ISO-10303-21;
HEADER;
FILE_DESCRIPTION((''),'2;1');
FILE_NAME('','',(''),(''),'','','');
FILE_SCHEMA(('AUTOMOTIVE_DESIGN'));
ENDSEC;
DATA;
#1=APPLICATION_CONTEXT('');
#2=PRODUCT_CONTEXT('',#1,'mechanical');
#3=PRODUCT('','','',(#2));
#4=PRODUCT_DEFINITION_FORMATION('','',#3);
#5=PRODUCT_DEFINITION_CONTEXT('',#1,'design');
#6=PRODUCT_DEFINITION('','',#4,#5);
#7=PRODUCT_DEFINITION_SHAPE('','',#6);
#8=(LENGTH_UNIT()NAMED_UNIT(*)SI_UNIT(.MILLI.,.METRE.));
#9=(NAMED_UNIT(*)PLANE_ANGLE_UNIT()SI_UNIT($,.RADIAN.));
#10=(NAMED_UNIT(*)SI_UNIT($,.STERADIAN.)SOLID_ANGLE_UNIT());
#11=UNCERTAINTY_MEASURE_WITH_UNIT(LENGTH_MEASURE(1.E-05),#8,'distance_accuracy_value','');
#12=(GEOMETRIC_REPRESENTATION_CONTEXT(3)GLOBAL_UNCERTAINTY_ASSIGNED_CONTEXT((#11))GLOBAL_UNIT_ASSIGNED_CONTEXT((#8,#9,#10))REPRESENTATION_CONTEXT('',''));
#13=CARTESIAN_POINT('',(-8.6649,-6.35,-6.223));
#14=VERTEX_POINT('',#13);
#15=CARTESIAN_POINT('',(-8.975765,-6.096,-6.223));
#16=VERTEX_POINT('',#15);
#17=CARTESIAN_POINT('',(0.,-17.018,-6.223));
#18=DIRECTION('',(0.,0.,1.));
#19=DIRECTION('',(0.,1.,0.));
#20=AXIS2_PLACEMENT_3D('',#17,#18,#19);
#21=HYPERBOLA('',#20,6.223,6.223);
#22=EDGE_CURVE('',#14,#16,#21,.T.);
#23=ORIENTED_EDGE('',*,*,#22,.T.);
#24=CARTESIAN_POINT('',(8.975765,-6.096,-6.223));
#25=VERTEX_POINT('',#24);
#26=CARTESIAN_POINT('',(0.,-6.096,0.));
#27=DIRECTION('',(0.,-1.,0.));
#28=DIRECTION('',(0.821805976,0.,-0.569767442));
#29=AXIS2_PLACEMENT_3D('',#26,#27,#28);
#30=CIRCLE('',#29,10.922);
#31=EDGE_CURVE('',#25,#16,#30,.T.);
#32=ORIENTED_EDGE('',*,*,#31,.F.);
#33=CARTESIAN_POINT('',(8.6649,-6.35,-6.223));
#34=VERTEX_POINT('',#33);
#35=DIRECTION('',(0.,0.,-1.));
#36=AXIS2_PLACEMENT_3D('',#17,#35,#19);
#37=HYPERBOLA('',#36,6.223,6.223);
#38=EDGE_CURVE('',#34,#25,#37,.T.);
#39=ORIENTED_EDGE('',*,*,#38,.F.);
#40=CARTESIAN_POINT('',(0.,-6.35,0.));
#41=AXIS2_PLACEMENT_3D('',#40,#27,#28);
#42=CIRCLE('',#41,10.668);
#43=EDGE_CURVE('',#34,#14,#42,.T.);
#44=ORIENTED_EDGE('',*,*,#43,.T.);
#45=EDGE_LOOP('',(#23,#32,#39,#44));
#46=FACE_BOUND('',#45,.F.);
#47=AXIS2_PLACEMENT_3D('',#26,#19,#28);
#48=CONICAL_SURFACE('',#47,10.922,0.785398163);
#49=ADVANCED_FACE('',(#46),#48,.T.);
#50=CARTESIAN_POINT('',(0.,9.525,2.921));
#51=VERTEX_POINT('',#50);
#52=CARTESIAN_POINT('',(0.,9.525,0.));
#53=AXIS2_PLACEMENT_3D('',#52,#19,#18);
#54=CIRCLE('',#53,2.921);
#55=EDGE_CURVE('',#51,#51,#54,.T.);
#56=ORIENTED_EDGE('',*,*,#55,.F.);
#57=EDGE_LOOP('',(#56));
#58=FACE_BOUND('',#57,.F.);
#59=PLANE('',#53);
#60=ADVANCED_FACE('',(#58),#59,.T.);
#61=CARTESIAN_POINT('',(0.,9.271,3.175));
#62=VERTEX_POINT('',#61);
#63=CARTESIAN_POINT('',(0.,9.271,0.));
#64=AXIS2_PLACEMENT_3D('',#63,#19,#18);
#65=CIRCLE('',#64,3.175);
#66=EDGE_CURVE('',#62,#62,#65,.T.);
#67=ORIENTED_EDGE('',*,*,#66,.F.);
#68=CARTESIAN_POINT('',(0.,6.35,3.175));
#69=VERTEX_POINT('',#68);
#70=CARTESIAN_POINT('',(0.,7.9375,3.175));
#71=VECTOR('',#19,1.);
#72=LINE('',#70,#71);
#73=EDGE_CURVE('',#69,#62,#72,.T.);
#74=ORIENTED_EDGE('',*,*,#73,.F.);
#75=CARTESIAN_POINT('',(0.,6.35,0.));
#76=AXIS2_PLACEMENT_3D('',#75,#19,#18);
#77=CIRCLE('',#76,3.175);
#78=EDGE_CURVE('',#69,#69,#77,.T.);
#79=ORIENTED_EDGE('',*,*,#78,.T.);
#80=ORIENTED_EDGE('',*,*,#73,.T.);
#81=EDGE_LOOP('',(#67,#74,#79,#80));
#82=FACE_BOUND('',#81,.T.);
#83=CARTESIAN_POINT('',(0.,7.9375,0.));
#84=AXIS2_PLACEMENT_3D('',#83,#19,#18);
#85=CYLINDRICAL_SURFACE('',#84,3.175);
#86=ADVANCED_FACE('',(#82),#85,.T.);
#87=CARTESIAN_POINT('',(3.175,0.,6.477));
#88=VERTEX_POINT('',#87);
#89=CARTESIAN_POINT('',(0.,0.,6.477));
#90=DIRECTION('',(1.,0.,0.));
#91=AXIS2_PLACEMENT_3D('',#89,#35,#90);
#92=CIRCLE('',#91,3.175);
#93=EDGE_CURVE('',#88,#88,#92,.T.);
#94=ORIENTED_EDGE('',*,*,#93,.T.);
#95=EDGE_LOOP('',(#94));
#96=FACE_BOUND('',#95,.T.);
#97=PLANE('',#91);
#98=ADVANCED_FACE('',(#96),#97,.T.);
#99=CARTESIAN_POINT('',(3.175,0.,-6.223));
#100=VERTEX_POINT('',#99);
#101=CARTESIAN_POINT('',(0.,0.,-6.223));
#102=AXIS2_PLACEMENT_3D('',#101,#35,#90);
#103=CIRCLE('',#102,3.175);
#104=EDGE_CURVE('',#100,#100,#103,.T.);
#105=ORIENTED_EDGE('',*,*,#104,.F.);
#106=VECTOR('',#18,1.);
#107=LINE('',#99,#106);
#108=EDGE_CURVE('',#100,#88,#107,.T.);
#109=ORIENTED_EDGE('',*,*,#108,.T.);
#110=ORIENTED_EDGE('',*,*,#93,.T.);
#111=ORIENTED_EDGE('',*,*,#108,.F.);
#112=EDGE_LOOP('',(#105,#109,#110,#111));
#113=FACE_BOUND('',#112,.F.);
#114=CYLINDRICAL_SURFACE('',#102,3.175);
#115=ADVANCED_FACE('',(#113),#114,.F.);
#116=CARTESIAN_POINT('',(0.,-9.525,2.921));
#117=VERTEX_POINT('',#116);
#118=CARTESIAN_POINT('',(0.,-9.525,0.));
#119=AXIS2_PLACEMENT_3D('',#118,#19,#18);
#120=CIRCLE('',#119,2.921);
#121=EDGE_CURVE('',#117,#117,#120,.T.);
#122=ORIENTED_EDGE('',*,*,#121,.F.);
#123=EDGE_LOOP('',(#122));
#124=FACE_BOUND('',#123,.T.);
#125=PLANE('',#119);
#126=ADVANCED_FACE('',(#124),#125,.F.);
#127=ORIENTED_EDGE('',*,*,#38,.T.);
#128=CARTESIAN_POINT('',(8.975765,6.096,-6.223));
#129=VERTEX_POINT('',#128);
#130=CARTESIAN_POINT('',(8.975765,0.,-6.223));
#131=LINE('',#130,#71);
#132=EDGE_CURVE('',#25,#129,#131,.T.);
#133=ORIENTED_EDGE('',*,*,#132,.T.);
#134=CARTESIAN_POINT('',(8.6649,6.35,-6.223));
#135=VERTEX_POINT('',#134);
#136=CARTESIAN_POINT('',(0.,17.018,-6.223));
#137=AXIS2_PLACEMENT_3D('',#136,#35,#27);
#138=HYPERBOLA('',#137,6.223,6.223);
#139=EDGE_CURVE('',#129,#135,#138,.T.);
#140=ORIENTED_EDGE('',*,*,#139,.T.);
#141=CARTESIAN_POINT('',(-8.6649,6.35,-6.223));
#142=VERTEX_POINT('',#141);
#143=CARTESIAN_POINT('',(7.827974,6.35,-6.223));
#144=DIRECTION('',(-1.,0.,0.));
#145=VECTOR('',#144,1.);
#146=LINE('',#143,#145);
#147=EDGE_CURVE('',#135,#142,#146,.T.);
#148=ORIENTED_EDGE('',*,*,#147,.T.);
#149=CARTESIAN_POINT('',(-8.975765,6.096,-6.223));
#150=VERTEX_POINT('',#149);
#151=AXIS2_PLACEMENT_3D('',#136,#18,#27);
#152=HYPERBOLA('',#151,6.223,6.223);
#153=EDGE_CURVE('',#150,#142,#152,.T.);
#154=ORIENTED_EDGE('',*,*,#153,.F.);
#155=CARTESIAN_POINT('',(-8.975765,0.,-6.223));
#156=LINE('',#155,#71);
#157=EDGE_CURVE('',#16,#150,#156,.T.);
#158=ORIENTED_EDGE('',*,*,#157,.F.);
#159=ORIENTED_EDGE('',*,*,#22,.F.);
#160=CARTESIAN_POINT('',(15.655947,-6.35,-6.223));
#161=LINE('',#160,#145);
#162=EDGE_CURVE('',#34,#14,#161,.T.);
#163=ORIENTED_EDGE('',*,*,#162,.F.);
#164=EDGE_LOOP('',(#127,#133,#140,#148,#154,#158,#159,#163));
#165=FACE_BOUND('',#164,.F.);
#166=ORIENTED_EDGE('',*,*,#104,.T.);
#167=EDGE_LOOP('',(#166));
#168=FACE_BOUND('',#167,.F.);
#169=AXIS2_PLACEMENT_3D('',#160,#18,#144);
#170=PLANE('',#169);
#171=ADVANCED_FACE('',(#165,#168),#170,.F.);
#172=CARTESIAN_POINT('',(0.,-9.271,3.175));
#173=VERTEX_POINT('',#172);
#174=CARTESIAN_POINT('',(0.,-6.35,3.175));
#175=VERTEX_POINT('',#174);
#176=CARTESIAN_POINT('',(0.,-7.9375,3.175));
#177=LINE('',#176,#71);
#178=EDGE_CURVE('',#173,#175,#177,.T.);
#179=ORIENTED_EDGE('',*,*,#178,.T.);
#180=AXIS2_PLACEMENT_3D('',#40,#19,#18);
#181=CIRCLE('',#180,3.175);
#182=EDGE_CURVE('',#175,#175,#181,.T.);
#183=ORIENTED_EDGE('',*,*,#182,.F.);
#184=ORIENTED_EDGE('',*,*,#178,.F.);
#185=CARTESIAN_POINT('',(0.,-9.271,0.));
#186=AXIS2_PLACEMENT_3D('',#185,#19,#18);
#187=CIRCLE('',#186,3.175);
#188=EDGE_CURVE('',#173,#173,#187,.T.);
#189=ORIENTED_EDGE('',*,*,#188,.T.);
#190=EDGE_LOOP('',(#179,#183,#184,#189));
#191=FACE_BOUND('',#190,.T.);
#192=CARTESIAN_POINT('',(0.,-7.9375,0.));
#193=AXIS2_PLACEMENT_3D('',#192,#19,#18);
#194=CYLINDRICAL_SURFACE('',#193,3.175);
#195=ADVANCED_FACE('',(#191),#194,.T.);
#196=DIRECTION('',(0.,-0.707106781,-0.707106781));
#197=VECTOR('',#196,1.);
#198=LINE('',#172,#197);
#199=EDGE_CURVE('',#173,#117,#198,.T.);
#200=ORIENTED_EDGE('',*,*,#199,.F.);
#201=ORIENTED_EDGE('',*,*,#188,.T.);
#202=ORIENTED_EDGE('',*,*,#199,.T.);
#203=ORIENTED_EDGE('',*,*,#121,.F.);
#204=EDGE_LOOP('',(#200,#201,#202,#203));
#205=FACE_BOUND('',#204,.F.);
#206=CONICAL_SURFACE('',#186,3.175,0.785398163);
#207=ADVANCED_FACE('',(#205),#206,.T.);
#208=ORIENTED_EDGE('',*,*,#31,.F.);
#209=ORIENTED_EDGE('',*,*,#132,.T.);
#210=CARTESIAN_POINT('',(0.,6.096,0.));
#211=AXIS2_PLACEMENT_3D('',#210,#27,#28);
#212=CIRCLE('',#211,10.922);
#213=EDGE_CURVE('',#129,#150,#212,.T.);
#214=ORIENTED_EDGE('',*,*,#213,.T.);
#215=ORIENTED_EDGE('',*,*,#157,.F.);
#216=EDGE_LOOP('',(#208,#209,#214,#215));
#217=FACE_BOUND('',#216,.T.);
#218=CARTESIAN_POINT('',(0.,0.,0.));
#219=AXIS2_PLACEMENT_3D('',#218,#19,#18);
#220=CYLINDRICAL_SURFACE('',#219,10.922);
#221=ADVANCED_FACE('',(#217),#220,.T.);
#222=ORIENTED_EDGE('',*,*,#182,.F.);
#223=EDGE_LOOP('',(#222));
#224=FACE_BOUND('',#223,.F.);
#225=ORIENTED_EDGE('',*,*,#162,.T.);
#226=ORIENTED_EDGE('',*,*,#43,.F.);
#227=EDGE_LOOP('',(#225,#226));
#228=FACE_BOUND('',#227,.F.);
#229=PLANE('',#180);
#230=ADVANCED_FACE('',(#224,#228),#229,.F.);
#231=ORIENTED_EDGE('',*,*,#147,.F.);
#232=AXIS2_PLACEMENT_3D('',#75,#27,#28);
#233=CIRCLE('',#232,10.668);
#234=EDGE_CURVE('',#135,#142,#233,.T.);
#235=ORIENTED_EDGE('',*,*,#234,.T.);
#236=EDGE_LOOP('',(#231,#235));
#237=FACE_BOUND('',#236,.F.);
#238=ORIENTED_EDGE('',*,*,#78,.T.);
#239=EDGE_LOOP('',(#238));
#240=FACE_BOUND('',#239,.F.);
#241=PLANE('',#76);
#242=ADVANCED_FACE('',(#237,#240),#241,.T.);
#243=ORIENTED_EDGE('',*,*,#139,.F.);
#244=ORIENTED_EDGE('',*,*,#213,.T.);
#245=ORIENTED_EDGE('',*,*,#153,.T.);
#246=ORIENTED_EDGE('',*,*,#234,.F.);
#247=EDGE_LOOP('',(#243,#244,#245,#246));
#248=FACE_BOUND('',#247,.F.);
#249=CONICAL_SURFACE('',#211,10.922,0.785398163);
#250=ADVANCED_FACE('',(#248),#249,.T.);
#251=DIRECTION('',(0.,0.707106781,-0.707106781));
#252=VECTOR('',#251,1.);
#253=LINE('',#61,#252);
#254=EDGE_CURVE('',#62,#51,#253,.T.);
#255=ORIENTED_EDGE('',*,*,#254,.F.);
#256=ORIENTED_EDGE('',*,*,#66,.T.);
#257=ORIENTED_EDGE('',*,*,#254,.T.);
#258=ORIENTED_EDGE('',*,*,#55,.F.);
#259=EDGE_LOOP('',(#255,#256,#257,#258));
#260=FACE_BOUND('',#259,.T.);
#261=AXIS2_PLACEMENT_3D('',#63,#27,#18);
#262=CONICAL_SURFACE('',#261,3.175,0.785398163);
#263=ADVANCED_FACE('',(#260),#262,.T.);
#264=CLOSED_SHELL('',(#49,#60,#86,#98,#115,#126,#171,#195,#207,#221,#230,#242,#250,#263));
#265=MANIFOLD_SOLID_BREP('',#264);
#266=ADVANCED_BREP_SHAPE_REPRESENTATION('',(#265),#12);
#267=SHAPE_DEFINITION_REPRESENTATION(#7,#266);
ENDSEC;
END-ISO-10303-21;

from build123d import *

# Parameters (mm, degrees)
F0_W     = 12.7
F0_H     = 7.747
F0_H_2   = 3.175
F0_W_2   = 3.175
F3_DEPTH = 15.876
F4_SIZE  = 0.254
F5_R     = 3.175
F6_DEPTH = 12.7


with BuildPart() as f1:
    # F0 (on Right) → F1 (revolve)
    with BuildSketch(Plane.YZ):
        with Locations((0, 7.0485)):
            Rectangle(F0_W, F0_H)
        with Locations((0, 1.5875)):
            Rectangle(F0_W, F0_H_2)
        with Locations((-7.9375, 1.5875)):
            Rectangle(F0_W_2, F0_H_2)
        with Locations((7.9375, 1.5875)):
            Rectangle(F0_W_2, F0_H_2)
    revolve(axis=Axis((0, 0, 0), (0, 1, 0)))

    # F2 (on face) → F3 (cut, through all)
    with BuildSketch(Plane.XZ.offset(6.35)):
        with BuildLine():
            Line((-8.9757648699, -6.223), (-10.8736076074, -6.223))
            Line((-10.8736076074, -6.223), (-10.8736076074, -16.0401048288))
            Line((-10.8736076074, -16.0401048288), (15.6559471654, -16.0401048288))
            Line((15.6559471654, -16.0401048288), (15.6559471654, -6.223))
            Line((15.6559471654, -6.223), (8.9757648699, -6.223))
            ThreePointArc((8.9757648699, -6.223), (0, -10.922), (-8.9757648699, -6.223))
        make_face()
        with BuildLine():
            Line((8.9757648699, -6.223), (-8.9757648699, -6.223))
            ThreePointArc((-8.9757648699, -6.223), (0, -10.922), (8.9757648699, -6.223))
        make_face()
    extrude(amount=-F3_DEPTH, mode=Mode.SUBTRACT)

    # F4
    f4_edges = [f1.edges().sort_by_distance(p)[0] for p in [
        (0, -9.525, -3.175),
        (0, -6.35, 10.922),
        (0, 6.35, 10.922),
        (0, 9.525, -3.175),
    ]]
    chamfer(f4_edges, length=F4_SIZE)

    # F5 (on face) → F6 (cut)
    with BuildSketch(Plane(origin=(0, 0, -6.223), x_dir=(1, 0, 0), z_dir=(0, 0, -1))):
        Circle(F5_R)
    extrude(amount=-F6_DEPTH, mode=Mode.SUBTRACT)


solid = f1.part
